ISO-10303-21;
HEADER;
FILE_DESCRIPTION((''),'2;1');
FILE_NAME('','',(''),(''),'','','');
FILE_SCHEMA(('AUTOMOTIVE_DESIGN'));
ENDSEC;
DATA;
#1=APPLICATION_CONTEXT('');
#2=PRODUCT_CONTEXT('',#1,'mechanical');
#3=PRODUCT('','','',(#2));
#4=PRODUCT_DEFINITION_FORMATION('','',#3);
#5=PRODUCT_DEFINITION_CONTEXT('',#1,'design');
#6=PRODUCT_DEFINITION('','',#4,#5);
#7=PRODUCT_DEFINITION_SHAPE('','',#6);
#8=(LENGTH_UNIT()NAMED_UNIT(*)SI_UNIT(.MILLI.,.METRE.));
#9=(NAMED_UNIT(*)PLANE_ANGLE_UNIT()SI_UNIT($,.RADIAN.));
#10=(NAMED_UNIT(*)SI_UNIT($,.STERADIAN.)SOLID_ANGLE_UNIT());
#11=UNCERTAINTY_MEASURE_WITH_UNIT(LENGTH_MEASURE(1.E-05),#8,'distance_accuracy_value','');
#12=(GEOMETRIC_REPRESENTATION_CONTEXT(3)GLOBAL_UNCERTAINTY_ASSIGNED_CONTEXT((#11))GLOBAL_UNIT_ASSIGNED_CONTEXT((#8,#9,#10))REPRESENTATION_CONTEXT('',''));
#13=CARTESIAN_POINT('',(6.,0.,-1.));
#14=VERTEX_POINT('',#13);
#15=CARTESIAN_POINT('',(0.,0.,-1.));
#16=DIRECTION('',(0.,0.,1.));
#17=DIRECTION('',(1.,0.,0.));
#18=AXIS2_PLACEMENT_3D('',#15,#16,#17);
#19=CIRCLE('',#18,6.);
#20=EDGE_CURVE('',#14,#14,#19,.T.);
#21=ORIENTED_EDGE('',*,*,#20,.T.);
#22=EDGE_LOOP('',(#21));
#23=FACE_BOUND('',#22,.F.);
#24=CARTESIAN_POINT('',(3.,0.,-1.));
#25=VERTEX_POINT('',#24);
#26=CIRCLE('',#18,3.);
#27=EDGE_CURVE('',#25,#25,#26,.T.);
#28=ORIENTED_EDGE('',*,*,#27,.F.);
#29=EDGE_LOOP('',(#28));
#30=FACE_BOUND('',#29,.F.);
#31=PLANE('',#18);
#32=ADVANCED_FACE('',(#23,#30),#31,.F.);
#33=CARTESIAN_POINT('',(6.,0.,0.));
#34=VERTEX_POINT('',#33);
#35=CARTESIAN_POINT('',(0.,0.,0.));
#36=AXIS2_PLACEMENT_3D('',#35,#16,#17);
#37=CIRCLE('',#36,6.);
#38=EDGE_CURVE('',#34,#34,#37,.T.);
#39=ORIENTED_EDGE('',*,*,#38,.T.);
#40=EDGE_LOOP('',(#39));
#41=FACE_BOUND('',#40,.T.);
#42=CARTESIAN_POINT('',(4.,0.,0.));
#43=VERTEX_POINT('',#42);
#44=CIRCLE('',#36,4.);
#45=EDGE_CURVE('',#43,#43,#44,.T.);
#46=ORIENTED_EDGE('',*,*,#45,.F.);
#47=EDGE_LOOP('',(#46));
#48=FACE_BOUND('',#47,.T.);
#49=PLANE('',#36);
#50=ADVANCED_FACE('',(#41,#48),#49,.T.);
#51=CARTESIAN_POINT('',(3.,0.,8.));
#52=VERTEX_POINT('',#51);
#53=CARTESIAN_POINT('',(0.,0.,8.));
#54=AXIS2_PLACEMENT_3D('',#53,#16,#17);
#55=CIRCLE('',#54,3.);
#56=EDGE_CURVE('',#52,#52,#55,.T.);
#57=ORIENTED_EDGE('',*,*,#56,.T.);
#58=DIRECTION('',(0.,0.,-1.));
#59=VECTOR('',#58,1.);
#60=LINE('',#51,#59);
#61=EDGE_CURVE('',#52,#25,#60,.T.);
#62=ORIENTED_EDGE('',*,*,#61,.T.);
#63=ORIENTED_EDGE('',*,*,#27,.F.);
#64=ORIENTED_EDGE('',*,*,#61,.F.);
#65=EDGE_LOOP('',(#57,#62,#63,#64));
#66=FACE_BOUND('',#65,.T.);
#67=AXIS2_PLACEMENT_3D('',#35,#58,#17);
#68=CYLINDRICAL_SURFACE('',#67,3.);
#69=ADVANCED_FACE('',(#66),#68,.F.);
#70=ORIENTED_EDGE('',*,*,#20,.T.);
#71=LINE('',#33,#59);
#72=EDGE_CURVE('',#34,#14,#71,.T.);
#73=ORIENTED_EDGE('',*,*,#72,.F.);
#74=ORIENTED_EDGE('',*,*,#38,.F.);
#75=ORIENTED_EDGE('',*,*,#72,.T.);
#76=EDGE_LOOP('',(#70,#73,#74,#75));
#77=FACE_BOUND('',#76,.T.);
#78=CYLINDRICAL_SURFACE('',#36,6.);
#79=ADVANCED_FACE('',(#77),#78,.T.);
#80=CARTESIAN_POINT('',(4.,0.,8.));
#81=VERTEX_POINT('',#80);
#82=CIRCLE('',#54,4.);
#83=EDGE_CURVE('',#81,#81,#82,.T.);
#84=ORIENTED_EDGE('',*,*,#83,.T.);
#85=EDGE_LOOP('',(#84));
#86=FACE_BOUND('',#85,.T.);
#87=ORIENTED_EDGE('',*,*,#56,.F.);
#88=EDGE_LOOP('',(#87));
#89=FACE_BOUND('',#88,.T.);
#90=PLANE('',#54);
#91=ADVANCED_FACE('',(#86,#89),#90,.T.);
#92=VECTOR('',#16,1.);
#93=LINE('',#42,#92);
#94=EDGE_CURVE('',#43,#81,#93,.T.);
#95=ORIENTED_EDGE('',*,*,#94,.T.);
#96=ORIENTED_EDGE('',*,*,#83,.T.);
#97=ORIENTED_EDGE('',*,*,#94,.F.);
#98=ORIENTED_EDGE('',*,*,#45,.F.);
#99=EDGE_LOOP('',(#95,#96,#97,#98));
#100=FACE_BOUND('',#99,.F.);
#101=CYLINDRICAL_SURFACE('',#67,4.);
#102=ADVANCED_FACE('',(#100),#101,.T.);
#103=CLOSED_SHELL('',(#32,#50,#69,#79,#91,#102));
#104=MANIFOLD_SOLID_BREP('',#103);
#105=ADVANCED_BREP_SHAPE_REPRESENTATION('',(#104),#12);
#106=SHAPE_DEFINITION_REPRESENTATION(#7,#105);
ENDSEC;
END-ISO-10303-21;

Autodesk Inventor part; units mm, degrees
ref_plane "YZ Plane" through (0, 0, 0) normal (1, 0, 0) x (0, 1, 0)
ref_plane "XZ Plane" through (0, 0, 0) normal (0, 1, 0) x (-1, 0, 0)
ref_plane "XY Plane" through (0, 0, 0) normal (0, 0, 1) x (1, 0, 0)
sketch "スケッチ1" plane through (0, 0, 0) normal (0, 0, 1) x (1, 0, 0)
  circle A0 centre (0, 0) radius 6
  circle A1 centre (0, 0) radius 4
  circle A2 centre (0, 0) radius 3
  dimension "d0" = 12
  dimension "d1" = 8
  dimension "d2" = 6
extrude "押し出し1" add sketch "スケッチ1" along normal blind 8 contours A1
extrude "押し出し2" add sketch "スケッチ1" against normal blind 1 contours A0 | A1
properties part number "オイレス　フランジ付き　12-1　8-6-8" material "アセタール樹脂、黒"
